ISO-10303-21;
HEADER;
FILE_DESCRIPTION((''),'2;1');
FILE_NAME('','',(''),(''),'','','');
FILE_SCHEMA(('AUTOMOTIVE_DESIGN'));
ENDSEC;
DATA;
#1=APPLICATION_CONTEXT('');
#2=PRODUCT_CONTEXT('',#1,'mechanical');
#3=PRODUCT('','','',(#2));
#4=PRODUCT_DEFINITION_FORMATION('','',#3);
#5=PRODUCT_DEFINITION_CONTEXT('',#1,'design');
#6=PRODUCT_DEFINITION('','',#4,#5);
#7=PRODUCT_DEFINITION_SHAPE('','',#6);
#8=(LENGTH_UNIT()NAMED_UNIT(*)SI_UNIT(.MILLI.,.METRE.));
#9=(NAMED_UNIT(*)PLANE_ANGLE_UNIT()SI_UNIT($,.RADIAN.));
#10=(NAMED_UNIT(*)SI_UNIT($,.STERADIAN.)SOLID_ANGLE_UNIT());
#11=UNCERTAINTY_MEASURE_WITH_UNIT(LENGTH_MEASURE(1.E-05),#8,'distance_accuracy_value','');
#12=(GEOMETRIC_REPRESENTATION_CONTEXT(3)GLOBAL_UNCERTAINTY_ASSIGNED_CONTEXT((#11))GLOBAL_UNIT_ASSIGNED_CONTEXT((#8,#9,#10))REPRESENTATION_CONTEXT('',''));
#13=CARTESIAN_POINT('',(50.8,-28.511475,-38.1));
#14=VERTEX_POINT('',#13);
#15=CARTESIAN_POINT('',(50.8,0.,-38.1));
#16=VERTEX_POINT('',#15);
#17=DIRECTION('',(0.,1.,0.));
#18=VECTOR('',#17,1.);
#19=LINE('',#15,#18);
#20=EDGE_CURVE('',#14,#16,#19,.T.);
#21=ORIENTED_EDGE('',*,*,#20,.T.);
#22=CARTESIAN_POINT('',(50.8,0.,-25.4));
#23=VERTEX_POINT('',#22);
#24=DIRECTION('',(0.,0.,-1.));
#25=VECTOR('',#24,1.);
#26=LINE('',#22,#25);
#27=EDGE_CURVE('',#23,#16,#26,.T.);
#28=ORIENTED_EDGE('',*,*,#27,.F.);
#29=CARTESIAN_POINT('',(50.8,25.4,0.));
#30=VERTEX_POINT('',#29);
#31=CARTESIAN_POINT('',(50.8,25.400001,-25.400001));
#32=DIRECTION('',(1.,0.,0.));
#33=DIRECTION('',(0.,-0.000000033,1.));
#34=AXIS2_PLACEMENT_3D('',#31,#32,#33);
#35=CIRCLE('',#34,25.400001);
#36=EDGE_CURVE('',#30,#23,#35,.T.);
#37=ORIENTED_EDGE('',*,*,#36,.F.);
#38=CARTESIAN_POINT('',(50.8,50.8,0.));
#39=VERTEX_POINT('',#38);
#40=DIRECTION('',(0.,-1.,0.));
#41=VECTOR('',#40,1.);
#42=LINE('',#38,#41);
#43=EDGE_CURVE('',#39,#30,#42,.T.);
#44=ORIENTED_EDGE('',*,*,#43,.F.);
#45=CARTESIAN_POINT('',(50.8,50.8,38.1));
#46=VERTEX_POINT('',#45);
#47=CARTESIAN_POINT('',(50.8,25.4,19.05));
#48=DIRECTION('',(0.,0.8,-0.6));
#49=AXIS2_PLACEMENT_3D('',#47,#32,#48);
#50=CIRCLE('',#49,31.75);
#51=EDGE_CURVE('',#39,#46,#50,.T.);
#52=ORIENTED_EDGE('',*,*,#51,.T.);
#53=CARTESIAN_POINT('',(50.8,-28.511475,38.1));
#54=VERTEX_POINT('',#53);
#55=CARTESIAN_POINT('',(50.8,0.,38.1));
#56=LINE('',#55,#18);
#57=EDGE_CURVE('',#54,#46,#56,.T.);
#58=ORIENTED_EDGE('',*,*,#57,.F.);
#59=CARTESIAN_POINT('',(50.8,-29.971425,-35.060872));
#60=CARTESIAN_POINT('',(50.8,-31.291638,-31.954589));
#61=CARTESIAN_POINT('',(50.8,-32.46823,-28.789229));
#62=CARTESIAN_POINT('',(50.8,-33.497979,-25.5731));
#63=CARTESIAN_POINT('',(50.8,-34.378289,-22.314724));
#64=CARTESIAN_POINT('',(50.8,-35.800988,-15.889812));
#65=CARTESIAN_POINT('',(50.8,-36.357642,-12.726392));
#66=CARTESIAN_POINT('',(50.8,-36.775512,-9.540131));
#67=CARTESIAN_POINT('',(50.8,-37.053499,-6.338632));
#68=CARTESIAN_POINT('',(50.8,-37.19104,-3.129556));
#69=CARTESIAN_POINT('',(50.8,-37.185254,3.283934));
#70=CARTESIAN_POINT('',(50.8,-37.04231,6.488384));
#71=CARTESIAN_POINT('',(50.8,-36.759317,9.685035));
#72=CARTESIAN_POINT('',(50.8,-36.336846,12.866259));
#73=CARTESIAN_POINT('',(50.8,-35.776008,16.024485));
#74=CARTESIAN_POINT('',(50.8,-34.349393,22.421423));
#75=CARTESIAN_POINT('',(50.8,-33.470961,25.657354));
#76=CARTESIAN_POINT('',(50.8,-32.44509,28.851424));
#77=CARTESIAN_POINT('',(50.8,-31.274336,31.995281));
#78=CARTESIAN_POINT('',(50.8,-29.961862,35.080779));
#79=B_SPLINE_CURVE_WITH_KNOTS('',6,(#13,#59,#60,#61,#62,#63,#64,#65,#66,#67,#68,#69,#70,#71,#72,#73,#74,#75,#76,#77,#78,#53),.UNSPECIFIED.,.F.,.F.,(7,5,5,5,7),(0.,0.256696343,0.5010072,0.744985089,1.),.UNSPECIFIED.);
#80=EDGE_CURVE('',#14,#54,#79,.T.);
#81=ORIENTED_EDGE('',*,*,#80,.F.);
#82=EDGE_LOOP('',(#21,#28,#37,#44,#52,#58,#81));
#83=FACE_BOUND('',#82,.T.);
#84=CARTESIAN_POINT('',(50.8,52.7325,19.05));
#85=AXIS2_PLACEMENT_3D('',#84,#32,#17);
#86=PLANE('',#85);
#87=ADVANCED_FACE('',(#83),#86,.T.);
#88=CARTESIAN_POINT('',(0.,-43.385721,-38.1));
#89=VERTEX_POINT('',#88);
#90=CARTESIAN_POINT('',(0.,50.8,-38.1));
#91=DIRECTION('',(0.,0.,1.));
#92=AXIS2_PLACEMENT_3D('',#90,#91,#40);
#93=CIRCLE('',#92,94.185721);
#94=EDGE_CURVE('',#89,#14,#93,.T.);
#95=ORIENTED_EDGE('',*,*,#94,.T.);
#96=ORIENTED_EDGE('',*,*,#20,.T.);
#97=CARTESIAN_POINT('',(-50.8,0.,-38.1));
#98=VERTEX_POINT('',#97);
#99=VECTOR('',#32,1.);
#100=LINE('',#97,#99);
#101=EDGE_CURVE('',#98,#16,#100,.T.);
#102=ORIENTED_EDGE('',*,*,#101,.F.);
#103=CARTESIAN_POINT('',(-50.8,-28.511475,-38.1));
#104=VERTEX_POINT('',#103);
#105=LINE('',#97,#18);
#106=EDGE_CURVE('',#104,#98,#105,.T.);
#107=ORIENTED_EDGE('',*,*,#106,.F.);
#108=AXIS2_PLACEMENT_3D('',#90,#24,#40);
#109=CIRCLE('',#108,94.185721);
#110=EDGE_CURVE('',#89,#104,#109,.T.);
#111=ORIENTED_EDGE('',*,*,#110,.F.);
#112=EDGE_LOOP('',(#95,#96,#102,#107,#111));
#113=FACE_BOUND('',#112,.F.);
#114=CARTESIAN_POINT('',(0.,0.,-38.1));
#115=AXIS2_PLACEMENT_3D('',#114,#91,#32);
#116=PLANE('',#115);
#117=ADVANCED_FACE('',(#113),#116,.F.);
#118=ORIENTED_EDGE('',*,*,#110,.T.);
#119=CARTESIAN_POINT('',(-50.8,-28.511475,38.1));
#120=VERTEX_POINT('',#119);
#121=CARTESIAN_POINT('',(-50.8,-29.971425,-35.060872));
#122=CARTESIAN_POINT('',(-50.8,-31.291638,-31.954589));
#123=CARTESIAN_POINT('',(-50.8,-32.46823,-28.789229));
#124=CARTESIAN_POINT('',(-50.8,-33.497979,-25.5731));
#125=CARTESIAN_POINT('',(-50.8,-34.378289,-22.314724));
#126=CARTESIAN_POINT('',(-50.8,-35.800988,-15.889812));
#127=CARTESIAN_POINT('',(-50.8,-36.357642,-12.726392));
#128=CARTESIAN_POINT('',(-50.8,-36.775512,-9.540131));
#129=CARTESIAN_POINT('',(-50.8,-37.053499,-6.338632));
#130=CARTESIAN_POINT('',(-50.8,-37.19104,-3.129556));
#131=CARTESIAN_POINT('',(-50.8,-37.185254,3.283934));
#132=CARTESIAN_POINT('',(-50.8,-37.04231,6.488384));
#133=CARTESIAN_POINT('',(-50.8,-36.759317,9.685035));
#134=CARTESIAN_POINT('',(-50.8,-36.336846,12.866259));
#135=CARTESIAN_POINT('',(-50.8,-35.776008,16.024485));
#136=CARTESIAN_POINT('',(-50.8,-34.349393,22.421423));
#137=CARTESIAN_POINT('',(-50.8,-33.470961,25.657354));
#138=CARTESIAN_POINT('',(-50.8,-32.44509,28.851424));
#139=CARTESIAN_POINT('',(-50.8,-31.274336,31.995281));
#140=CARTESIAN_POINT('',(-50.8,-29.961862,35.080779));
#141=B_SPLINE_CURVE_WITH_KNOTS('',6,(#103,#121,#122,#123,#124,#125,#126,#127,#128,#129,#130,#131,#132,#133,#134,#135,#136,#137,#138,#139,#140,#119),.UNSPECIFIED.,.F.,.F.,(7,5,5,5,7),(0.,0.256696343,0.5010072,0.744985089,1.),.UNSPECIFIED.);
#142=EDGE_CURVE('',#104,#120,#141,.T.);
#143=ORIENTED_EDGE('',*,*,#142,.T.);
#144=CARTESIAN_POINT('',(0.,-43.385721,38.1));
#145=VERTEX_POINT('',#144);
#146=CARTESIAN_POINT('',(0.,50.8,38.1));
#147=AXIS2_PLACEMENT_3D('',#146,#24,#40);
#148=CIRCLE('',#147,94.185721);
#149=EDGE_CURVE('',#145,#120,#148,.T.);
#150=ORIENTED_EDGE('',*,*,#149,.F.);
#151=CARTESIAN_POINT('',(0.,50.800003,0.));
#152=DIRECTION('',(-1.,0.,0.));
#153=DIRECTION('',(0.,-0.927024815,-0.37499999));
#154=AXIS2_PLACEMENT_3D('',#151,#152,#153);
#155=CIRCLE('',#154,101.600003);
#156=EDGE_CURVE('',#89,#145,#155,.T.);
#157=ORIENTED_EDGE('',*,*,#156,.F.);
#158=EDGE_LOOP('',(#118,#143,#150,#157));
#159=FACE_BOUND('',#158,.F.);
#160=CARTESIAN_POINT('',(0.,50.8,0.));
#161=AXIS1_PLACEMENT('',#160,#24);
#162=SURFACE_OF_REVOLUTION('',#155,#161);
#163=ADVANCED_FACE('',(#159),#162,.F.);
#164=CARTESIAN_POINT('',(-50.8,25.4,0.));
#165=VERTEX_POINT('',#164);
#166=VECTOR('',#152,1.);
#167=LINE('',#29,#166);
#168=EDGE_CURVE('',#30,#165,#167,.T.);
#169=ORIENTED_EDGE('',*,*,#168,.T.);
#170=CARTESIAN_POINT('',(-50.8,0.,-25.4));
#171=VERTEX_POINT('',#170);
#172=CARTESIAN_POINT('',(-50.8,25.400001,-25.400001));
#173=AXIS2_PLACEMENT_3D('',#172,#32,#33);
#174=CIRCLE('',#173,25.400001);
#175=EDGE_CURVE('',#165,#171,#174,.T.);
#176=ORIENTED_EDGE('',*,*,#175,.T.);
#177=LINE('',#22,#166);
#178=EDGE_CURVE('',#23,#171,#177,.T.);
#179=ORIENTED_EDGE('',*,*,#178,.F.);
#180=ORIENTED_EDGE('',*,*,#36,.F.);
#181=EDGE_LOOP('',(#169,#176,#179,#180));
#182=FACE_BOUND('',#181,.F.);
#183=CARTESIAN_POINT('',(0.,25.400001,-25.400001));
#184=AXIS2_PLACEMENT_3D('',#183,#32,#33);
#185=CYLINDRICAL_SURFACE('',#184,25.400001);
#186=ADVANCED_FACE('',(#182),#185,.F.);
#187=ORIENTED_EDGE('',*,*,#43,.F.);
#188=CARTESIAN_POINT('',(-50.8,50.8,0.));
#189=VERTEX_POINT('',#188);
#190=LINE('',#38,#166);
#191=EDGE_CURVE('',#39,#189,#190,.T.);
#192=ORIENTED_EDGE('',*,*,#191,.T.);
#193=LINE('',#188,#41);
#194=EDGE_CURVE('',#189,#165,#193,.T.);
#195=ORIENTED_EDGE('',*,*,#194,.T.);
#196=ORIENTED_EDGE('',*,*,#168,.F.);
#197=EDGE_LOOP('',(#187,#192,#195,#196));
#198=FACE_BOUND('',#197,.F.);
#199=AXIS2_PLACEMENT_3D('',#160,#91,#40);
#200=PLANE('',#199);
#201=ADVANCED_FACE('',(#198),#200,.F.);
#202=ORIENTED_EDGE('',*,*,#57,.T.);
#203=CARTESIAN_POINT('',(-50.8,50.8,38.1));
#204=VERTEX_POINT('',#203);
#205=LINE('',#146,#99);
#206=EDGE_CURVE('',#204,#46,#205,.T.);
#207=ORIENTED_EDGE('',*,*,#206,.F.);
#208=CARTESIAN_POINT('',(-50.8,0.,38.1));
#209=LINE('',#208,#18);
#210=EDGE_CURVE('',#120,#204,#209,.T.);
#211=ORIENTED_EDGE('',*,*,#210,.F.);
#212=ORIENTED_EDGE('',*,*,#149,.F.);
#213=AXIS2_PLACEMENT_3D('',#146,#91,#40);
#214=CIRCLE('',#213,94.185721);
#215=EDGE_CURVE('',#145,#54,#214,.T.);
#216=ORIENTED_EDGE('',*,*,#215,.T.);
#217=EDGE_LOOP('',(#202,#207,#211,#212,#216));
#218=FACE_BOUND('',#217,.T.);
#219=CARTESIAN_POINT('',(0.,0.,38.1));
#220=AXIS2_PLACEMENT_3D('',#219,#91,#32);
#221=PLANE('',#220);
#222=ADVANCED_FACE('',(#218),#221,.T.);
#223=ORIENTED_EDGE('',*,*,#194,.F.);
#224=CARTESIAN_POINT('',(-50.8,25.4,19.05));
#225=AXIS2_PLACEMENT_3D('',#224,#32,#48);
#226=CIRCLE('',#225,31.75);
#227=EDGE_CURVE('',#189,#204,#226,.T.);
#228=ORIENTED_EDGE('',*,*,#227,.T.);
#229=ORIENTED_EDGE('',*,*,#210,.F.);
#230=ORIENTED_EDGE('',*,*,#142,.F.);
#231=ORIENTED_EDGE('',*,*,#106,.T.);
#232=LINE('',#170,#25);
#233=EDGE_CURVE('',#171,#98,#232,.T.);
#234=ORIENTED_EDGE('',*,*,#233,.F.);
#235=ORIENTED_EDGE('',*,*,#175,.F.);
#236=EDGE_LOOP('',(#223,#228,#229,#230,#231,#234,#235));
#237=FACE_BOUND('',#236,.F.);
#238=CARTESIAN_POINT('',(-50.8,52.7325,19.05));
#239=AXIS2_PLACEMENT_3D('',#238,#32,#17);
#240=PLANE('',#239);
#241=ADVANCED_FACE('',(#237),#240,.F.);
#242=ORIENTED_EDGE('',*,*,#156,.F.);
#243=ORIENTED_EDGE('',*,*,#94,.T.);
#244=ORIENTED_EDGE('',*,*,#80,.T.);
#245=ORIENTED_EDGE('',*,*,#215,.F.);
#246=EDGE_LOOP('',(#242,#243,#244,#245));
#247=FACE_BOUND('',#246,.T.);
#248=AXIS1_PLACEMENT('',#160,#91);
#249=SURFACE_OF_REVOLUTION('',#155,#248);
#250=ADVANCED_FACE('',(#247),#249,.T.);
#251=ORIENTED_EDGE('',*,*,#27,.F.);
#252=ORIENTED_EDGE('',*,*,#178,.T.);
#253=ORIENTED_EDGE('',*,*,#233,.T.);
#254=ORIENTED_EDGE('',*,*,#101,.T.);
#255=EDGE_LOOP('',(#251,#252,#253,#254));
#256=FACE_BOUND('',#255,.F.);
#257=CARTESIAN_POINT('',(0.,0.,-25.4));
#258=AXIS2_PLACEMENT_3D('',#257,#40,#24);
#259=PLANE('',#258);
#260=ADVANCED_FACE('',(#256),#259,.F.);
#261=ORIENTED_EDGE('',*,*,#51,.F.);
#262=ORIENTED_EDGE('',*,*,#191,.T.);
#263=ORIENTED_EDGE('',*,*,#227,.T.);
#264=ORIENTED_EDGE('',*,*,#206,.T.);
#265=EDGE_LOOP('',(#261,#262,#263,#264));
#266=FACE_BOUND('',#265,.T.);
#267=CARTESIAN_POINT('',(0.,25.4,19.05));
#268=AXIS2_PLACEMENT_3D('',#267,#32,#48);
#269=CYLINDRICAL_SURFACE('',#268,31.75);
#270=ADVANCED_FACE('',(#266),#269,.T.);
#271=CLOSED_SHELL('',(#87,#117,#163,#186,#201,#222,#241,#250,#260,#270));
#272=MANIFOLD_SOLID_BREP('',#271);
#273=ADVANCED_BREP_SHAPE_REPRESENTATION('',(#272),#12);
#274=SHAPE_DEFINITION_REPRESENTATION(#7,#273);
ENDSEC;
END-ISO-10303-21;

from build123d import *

# Parameters (mm, degrees)
F0_W     = 101.6
F0_H     = 101.6
F1_DEPTH = 38.1
F4_DEPTH = 50.8
F5_ANGLE = 70
F6_DEPTH = 50.8


with BuildPart() as f1:
    # F0 (on Top) → F1 (new body, symmetric)
    with BuildSketch(Plane.XY):
        Rectangle(F0_W, F0_H)
    extrude(amount=F1_DEPTH, both=True)

    # F3 (on Right) → F4 (cut, symmetric)
    with BuildSketch(Plane.YZ):
        with BuildLine():
            Line((0, -25.4), (0, -38.1))
            Line((0, -38.1), (50.8, -38.1))
            Line((50.8, -38.1), (50.8, 0))
            Line((50.8, 0), (25.4, 0))
            ThreePointArc((25.4, 0), (7.439488, -7.439488), (0, -25.4))
        make_face()
    extrude(amount=F4_DEPTH, both=True, mode=Mode.SUBTRACT)

    # F3 (on Right) → F5 (revolve, symmetric, cut)
    with BuildSketch(Plane.YZ) as f5_sk:
        with BuildLine():
            ThreePointArc((-43.385721, -38.1), (-50.8, 0), (-43.385721, 38.1))
            Line((-43.385721, 38.1), (-68.785721, 38.1))
            Line((-68.785721, 38.1), (-68.785721, -38.1))
            Line((-68.785721, -38.1), (-43.385721, -38.1))
        make_face()
    revolve(axis=Axis((0, 50.8, 0), (0, 0, -1)), revolution_arc=F5_ANGLE / 2, mode=Mode.SUBTRACT)
    revolve(f5_sk.sketch, axis=Axis((0, 50.8, 0), (0, 0, 1)), revolution_arc=F5_ANGLE / 2, mode=Mode.SUBTRACT)

    # F3 (on Right) → F6 (join, symmetric)
    with BuildSketch(Plane.YZ):
        with BuildLine():
            Line((50.8, 38.1), (50.8, 0))
            ThreePointArc((50.8, 0), (57.15, 19.05), (50.8, 38.1))
        make_face()
    extrude(amount=F6_DEPTH, both=True)


solid = f1.part
